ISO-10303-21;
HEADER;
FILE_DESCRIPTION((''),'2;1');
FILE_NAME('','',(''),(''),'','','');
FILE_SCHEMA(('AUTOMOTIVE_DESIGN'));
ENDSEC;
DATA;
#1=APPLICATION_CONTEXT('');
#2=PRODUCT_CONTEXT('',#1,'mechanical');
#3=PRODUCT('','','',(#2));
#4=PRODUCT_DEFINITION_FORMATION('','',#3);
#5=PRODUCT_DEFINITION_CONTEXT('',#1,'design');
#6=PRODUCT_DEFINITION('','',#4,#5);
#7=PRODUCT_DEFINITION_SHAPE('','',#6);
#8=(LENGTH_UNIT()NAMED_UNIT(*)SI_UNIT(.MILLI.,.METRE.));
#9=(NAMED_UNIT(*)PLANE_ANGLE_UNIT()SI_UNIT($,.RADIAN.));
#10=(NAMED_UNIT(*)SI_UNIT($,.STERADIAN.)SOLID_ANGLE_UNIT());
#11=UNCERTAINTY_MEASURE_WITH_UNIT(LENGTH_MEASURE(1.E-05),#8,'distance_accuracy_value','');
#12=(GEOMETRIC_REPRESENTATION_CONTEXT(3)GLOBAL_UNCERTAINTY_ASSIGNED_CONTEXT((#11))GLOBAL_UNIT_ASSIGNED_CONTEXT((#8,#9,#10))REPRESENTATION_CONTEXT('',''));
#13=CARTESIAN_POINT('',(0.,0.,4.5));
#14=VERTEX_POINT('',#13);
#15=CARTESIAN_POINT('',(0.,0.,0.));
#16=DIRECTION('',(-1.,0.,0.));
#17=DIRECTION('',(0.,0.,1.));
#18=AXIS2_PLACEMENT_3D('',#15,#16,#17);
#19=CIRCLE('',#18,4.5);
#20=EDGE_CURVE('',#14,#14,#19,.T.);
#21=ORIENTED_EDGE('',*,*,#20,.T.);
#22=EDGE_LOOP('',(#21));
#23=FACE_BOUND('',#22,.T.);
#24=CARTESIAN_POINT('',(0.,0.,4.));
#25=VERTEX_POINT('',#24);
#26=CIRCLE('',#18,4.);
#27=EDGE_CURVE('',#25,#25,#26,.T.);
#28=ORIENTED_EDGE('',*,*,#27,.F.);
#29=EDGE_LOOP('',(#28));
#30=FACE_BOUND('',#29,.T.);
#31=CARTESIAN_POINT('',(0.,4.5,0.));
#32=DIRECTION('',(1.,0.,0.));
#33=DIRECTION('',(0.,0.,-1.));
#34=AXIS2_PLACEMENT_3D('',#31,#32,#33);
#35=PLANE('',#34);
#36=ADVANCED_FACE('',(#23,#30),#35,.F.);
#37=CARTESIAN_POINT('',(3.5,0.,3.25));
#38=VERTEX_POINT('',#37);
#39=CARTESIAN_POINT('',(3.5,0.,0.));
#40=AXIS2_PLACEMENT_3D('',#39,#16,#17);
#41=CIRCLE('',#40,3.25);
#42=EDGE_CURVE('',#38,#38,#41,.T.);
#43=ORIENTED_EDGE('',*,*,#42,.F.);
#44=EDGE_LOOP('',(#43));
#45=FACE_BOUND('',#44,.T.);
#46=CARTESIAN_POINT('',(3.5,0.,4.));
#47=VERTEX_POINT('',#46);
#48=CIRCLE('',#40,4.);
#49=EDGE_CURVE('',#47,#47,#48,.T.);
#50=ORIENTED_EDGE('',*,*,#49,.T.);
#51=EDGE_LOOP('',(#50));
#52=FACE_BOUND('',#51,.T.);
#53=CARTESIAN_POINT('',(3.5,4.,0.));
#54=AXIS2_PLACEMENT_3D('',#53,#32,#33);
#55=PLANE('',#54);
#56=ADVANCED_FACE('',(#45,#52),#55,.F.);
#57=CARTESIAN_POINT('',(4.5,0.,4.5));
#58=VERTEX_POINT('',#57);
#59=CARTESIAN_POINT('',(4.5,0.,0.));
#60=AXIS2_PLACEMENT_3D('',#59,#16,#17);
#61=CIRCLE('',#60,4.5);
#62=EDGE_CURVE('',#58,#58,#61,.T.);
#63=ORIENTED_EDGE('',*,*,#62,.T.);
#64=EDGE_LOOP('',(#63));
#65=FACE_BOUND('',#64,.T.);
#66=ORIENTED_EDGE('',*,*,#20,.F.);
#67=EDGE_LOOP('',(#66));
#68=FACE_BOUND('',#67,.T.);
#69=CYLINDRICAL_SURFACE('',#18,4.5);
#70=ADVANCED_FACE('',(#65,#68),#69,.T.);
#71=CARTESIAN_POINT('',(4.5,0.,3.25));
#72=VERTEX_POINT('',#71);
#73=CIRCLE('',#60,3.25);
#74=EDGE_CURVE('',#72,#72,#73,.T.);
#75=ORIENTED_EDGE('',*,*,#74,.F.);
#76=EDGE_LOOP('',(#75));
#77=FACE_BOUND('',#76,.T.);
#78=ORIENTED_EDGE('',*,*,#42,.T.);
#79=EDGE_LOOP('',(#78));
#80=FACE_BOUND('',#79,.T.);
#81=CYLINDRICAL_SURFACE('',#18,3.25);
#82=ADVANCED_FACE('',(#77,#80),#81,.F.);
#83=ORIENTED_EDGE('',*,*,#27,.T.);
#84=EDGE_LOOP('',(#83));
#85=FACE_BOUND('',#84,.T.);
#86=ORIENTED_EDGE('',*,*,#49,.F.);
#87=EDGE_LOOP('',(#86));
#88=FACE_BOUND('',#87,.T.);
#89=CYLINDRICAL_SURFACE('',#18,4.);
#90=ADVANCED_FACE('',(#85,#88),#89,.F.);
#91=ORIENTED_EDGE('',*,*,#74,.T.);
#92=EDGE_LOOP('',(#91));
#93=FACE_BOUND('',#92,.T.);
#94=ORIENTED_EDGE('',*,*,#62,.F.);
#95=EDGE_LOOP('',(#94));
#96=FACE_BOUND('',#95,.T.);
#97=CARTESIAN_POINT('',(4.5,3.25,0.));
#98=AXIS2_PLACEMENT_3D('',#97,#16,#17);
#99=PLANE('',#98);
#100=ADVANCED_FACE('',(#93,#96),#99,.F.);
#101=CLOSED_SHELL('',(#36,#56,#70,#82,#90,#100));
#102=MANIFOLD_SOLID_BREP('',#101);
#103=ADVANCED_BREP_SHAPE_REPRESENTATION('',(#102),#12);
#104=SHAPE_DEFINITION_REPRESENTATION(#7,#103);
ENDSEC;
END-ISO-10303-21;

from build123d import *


with BuildPart() as part:
    # Эскиз1 → Повернуть1 (revolve)
    with BuildSketch(Plane.XY):
        Polygon((0, 4), (3.5, 4), (3.5, 3.25), (4.5, 3.25), (4.5, 4.5), (0, 4.5), align=None)
    revolve(axis=Axis((0, 0, 0), (1, 0, 0)))


solid = part.part
